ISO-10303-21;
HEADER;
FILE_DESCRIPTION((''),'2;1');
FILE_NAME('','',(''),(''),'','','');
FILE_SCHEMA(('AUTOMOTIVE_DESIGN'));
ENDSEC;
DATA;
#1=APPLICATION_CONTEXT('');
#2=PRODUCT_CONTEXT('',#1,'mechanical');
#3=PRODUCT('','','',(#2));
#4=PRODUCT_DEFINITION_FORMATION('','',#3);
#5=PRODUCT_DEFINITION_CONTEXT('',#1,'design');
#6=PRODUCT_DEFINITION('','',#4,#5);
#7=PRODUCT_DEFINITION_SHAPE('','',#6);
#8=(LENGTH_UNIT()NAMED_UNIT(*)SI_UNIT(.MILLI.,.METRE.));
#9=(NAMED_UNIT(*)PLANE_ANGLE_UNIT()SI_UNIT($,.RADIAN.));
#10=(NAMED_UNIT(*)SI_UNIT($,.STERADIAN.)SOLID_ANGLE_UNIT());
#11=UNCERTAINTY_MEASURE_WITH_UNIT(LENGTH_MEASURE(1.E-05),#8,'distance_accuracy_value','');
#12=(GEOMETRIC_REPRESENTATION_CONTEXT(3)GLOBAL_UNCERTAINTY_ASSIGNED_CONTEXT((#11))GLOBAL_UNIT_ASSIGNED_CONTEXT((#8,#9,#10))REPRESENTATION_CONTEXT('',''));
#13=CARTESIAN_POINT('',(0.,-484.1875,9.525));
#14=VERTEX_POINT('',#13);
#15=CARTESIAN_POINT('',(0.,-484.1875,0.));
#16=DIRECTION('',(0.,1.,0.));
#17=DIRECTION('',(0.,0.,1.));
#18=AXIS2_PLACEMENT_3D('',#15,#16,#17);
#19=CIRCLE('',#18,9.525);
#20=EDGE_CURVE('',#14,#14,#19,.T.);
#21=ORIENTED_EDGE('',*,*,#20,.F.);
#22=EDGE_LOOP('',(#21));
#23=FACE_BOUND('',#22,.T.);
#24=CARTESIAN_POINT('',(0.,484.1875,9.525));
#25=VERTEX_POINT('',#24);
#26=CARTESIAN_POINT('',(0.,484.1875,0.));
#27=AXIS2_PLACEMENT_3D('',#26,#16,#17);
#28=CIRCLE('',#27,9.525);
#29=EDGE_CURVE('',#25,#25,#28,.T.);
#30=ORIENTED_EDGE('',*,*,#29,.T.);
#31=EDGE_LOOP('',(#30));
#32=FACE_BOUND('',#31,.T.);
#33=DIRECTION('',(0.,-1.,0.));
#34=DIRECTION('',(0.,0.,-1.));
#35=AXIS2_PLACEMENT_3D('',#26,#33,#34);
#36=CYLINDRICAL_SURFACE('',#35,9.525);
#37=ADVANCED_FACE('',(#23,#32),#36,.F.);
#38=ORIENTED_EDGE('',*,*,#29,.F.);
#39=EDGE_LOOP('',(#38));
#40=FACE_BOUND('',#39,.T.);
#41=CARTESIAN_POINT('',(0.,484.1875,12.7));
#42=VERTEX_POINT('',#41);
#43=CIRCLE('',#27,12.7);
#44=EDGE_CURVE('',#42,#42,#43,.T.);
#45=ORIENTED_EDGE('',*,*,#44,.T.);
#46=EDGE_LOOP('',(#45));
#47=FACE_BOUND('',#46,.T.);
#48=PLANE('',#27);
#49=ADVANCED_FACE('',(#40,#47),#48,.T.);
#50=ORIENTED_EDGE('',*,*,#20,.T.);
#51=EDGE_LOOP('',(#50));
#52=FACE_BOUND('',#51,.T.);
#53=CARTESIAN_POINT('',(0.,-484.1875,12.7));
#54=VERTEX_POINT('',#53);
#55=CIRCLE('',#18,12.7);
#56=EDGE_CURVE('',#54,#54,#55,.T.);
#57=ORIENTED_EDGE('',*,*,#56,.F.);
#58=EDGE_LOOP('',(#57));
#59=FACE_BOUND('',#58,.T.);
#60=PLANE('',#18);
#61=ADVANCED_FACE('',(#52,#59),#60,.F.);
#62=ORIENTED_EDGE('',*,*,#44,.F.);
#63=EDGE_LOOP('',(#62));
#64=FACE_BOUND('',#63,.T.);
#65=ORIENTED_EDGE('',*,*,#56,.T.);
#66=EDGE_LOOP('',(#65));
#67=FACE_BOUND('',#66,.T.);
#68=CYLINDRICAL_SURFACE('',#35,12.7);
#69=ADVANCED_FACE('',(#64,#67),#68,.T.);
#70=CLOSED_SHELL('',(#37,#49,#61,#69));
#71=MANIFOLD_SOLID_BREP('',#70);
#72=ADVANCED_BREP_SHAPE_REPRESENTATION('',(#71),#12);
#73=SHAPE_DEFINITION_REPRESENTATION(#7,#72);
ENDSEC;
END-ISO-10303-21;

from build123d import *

# Parameters (mm, degrees)
SKETCH1_R           = 12.7
SKETCH1_R_2         = 9.525
BOSS_EXTRUDE1_DEPTH = 484.1875


with BuildPart() as part:
    # Sketch1 → Boss-Extrude1 (new body, symmetric)
    with BuildSketch(Plane(origin=(0, 0, 0), x_dir=(1, 0, 0), z_dir=(0, 1, 0))):
        Circle(SKETCH1_R)
        Circle(SKETCH1_R_2, mode=Mode.SUBTRACT)
    extrude(amount=BOSS_EXTRUDE1_DEPTH, both=True)


solid = part.part
